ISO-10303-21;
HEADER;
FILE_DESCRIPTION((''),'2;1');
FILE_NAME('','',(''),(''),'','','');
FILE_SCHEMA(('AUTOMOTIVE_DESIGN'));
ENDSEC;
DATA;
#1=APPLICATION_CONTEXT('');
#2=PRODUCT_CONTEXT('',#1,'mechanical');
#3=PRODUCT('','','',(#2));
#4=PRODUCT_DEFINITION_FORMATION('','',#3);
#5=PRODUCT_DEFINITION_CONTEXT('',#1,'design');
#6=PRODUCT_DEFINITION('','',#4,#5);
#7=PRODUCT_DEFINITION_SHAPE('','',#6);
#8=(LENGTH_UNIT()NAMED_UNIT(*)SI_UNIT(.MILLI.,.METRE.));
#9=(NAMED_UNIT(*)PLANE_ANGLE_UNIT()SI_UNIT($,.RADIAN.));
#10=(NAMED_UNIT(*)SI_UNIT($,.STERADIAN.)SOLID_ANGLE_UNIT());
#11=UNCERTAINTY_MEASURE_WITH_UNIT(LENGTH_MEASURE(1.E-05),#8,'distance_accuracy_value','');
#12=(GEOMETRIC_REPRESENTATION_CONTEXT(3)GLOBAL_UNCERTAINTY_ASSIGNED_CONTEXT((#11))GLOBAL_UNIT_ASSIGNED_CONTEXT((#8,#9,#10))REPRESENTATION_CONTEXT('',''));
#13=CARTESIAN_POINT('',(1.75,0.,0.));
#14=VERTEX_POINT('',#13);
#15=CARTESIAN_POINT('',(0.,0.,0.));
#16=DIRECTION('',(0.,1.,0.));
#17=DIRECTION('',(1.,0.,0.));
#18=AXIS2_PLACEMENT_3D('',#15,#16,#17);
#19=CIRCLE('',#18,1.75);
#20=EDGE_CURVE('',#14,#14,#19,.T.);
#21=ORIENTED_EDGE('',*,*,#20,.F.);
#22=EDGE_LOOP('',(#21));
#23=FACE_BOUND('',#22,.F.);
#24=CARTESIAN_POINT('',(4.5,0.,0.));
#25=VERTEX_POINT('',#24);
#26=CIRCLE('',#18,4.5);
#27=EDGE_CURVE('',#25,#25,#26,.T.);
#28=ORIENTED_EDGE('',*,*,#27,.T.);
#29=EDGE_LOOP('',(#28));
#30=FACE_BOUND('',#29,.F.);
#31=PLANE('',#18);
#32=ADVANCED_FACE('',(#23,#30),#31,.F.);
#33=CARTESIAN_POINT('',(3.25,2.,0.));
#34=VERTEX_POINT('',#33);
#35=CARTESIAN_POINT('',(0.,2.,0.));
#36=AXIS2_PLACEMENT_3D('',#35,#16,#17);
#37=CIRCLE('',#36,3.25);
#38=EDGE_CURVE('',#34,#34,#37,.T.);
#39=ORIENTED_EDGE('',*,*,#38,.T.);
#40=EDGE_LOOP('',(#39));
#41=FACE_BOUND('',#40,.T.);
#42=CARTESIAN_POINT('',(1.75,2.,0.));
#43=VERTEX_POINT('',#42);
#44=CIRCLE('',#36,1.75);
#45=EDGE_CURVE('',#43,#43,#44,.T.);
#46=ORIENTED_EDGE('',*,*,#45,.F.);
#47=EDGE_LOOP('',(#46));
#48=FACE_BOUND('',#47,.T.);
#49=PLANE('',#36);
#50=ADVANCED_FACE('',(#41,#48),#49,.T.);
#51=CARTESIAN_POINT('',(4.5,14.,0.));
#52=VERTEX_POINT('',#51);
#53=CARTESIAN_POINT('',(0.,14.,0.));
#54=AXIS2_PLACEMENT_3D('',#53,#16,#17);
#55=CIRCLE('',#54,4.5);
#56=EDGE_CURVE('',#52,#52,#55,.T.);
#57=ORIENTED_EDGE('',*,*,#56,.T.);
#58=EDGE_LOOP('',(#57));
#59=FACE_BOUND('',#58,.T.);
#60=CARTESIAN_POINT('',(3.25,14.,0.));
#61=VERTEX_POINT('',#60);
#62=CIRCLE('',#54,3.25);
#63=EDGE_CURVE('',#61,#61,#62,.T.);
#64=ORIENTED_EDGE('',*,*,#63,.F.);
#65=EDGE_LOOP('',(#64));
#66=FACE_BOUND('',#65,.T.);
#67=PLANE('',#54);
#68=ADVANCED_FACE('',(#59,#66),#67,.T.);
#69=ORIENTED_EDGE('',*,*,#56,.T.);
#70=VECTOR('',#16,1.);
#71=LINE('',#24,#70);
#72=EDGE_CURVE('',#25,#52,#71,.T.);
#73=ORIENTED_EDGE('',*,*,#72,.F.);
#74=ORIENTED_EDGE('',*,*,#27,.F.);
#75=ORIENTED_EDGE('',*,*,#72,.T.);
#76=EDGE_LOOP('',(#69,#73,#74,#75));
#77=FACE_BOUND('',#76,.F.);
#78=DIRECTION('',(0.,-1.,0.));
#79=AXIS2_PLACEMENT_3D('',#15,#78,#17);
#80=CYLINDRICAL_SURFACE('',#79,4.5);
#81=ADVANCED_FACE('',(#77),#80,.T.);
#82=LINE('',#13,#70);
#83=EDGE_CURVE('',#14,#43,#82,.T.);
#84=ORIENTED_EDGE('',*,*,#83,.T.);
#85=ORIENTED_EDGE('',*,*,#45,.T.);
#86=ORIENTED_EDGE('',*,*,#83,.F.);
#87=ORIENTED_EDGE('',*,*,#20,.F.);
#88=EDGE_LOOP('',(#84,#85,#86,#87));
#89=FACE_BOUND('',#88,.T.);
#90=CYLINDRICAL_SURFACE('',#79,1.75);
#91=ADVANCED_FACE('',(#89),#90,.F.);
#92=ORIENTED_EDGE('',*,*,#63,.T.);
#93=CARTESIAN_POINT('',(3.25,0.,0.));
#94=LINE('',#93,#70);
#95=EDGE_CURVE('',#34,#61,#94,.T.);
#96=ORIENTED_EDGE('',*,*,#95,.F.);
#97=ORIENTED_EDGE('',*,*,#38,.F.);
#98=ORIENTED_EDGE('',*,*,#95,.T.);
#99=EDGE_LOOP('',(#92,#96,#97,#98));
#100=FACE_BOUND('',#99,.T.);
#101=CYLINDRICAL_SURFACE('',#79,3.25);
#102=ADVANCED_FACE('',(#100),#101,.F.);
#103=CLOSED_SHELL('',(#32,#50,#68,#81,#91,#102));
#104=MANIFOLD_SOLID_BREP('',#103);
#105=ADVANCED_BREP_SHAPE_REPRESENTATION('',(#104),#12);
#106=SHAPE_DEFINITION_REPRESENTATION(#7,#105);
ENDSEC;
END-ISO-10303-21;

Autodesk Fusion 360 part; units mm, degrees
sketch "Sketch1" plane through (0, 0, 0) normal (0, 1, 0) x (1, 0, 0)
  circle A0 centre (0, 0) radius 1.75
  circle A1 centre (0, 0) radius 3.25
  circle A2 centre (0, 0) radius 4.5
  dimension "d1" = 3.5
  dimension "d2" = 6.5
  dimension "d3" = 9
extrude "Extrude1" add sketch "Sketch1" along normal blind 14 contours A2
sketch "Sketch2" plane through (0, 0, 0) normal (0, 1, 0) x (1, 0, 0)
  circle A0 centre (0, 0) radius 1.75
  circle A1 centre (0, 0) radius 3.25
  dimension "d6" = 3.5
  dimension "d7" = 6.5
extrude "Extrude2" add sketch "Sketch2" along normal blind 2
